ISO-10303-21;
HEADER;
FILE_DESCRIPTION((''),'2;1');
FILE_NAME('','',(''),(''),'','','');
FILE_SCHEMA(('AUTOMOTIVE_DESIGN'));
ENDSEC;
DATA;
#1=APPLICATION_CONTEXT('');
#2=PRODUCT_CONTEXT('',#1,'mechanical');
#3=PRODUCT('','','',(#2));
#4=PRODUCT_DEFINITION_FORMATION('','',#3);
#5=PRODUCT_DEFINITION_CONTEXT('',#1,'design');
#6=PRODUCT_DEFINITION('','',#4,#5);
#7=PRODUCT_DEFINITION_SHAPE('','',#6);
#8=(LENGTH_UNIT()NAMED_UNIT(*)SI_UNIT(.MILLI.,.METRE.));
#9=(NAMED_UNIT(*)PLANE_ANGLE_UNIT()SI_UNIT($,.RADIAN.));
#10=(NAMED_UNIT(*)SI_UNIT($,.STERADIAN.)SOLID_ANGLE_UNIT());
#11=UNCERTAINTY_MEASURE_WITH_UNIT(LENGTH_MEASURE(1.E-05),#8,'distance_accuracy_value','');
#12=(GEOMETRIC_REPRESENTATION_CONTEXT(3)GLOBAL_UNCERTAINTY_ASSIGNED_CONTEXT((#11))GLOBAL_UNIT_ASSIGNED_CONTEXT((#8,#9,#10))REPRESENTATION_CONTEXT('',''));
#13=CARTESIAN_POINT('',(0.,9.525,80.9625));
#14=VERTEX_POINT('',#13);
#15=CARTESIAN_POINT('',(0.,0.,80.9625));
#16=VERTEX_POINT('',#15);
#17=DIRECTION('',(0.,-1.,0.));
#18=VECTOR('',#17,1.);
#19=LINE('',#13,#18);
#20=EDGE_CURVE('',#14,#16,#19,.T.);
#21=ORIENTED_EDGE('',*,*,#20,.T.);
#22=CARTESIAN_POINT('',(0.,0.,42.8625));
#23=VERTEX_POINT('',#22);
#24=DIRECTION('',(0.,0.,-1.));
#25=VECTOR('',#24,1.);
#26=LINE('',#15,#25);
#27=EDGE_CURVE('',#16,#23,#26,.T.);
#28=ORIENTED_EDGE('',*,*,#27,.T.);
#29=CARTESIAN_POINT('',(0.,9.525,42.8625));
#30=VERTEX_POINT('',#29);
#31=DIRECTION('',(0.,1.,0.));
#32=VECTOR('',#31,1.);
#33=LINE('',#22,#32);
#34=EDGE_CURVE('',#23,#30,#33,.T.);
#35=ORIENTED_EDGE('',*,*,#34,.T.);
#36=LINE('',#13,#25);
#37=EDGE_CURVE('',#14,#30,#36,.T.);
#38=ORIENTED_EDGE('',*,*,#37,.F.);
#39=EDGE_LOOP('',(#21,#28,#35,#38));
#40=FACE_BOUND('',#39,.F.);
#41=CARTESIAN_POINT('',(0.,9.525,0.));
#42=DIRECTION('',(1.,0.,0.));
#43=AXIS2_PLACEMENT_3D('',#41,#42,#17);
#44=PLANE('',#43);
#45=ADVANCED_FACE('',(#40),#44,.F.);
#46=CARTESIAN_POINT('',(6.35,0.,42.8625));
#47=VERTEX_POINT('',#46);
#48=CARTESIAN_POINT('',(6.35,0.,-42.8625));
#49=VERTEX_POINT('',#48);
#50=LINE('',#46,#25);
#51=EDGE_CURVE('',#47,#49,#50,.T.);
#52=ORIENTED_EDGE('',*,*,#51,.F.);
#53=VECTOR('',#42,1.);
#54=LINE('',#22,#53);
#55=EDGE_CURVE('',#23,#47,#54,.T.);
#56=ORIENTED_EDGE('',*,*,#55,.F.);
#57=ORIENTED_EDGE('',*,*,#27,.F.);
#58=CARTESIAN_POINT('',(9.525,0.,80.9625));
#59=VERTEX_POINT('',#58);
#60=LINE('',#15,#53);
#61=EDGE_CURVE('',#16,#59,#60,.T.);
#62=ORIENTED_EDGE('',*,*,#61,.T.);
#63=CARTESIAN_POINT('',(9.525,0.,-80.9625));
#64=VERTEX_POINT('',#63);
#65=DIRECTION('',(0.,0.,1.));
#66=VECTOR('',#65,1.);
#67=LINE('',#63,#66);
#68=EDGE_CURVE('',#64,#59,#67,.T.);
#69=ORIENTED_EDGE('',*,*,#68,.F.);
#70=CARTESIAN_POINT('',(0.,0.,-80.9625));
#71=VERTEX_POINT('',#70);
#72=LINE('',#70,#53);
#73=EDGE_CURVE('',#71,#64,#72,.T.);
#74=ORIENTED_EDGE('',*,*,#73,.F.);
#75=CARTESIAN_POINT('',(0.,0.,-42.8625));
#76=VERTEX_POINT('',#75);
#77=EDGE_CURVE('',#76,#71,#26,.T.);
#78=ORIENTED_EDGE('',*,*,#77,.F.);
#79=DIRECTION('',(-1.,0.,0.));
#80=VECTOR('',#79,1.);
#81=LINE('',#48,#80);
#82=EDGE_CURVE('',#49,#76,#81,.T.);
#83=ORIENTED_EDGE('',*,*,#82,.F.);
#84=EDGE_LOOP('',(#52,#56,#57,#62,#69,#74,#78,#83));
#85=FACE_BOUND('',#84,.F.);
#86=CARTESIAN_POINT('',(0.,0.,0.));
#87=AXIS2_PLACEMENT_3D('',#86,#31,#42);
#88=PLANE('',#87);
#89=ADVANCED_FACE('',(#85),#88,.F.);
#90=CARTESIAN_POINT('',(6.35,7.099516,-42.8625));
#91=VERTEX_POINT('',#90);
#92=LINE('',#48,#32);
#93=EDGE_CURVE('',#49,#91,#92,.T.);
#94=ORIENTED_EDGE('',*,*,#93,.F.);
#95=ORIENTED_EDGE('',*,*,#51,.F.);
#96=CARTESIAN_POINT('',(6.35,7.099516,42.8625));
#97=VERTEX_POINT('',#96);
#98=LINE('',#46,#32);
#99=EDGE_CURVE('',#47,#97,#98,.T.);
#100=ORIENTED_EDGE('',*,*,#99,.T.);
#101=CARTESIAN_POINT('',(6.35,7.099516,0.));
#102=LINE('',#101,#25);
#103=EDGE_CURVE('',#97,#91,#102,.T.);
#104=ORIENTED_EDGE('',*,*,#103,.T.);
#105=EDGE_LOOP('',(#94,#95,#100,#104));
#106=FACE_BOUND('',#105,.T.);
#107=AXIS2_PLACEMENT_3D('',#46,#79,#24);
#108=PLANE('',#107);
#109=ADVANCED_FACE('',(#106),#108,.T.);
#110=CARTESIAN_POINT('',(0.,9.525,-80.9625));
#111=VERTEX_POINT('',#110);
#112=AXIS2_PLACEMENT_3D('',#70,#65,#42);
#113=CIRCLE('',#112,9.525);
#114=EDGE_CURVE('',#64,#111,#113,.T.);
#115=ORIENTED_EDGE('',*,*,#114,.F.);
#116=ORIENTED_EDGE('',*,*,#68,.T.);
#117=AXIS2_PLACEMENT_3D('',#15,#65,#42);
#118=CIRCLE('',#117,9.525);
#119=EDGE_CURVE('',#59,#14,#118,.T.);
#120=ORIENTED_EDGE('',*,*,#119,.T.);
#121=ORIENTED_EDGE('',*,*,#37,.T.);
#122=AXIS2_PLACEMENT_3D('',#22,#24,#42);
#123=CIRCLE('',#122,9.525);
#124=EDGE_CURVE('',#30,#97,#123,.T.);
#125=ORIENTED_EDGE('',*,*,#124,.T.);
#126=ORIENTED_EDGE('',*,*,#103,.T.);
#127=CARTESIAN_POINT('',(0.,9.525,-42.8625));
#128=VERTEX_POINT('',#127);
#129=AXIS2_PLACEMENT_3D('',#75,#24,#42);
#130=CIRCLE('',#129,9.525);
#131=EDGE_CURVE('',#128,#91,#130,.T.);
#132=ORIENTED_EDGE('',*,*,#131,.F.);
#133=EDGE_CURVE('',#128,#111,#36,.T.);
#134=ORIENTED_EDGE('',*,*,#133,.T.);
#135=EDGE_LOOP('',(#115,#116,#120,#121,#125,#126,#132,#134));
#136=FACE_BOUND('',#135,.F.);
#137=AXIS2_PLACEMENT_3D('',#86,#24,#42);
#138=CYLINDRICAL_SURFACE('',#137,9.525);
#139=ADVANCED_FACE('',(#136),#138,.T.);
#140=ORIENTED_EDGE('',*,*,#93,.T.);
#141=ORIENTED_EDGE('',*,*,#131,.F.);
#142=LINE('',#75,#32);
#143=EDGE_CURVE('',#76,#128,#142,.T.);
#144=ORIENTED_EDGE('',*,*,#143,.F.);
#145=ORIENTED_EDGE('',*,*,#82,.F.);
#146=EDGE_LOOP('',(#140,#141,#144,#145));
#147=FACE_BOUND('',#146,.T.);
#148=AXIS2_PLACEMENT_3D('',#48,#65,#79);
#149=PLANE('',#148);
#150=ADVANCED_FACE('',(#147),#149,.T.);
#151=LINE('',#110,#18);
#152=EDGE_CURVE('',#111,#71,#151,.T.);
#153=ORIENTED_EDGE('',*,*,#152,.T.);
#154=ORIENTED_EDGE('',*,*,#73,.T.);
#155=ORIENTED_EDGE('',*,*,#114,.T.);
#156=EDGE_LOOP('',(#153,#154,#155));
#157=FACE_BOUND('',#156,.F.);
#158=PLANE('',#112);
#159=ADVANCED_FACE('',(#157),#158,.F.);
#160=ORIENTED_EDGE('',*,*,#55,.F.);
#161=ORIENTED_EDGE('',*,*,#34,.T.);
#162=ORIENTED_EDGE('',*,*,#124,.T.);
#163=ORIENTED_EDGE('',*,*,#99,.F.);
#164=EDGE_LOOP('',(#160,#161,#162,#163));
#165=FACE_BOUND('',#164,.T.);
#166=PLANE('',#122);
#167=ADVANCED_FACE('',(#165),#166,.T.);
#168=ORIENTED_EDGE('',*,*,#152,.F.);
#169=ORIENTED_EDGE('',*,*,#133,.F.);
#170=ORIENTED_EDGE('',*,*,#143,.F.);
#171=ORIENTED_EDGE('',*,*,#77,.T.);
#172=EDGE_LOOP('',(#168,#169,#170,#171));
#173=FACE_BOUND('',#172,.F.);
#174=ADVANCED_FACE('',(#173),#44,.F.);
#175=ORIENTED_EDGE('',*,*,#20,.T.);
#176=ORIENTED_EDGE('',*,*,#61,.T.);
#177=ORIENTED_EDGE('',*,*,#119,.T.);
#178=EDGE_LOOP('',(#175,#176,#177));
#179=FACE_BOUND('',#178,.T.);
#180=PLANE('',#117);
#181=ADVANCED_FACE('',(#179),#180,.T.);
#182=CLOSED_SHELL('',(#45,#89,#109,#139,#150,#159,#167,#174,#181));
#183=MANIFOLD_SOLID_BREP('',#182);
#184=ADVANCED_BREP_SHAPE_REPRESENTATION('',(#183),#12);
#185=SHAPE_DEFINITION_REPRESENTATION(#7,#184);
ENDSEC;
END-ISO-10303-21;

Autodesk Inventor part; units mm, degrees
ref_plane "YZ Plane" through (0, 0, 0) normal (1, 0, 0) x (0, 1, 0)
ref_plane "XZ Plane" through (0, 0, 0) normal (0, 1, 0) x (-1, 0, 0)
ref_plane "XY Plane" through (0, 0, 0) normal (0, 0, 1) x (1, 0, 0)
sketch "Sketch1" plane through (0, 0, 0) normal (0, 0, 1) x (1, 0, 0)
  arc A0 (9.525, 0) -> (0, 9.525) centre (0, 0) ccw
  line L0 (0, 9.525) -> (0, 0)
  line L1 (0, 0) -> (9.525, 0)
  dimension "d0" = 19.05
extrude "Extrusion1" add sketch "Sketch1" along normal mid plane 161.925
sketch "Sketch2" plane through (0, 0, 80.9625) normal (0, -1, 0) x (1, 0, 0)
  line L0 (0, -38.1) -> (6.35, -38.1)
  line L1 (6.35, -38.1) -> (6.35, -123.825)
  line L2 (6.35, -123.825) -> (0, -123.825)
  line L3 (0, -123.825) -> (0, -38.1)
  line L4 (9.525, -161.925) -> (0, -161.925) projected
  line L5 (0, -161.925) -> (0, 0) projected
  point P0 (0, -80.9625)
  dimension "d3" = 85.725
  dimension "d4" = 38.1
  dimension "d5" = 6.35
extrude "Extrusion2" cut sketch "Sketch2" against normal through all
equation "\"d0\" = cornerRoundType"
equation "\"d1\" = lengthOfPart"
equation "\"d3\" = notchCutout"
equation "\"d4\" = bottomLength"
equation "\"cornerRoundType\" = 19.05"
equation "\"notchCutout\" = 85.725"
equation "\"bottomLength\" = 38.1"
equation "\"lengthOfPart\" = 2 * bottomLength + notchCutout"
properties part number "topOfStairs"
